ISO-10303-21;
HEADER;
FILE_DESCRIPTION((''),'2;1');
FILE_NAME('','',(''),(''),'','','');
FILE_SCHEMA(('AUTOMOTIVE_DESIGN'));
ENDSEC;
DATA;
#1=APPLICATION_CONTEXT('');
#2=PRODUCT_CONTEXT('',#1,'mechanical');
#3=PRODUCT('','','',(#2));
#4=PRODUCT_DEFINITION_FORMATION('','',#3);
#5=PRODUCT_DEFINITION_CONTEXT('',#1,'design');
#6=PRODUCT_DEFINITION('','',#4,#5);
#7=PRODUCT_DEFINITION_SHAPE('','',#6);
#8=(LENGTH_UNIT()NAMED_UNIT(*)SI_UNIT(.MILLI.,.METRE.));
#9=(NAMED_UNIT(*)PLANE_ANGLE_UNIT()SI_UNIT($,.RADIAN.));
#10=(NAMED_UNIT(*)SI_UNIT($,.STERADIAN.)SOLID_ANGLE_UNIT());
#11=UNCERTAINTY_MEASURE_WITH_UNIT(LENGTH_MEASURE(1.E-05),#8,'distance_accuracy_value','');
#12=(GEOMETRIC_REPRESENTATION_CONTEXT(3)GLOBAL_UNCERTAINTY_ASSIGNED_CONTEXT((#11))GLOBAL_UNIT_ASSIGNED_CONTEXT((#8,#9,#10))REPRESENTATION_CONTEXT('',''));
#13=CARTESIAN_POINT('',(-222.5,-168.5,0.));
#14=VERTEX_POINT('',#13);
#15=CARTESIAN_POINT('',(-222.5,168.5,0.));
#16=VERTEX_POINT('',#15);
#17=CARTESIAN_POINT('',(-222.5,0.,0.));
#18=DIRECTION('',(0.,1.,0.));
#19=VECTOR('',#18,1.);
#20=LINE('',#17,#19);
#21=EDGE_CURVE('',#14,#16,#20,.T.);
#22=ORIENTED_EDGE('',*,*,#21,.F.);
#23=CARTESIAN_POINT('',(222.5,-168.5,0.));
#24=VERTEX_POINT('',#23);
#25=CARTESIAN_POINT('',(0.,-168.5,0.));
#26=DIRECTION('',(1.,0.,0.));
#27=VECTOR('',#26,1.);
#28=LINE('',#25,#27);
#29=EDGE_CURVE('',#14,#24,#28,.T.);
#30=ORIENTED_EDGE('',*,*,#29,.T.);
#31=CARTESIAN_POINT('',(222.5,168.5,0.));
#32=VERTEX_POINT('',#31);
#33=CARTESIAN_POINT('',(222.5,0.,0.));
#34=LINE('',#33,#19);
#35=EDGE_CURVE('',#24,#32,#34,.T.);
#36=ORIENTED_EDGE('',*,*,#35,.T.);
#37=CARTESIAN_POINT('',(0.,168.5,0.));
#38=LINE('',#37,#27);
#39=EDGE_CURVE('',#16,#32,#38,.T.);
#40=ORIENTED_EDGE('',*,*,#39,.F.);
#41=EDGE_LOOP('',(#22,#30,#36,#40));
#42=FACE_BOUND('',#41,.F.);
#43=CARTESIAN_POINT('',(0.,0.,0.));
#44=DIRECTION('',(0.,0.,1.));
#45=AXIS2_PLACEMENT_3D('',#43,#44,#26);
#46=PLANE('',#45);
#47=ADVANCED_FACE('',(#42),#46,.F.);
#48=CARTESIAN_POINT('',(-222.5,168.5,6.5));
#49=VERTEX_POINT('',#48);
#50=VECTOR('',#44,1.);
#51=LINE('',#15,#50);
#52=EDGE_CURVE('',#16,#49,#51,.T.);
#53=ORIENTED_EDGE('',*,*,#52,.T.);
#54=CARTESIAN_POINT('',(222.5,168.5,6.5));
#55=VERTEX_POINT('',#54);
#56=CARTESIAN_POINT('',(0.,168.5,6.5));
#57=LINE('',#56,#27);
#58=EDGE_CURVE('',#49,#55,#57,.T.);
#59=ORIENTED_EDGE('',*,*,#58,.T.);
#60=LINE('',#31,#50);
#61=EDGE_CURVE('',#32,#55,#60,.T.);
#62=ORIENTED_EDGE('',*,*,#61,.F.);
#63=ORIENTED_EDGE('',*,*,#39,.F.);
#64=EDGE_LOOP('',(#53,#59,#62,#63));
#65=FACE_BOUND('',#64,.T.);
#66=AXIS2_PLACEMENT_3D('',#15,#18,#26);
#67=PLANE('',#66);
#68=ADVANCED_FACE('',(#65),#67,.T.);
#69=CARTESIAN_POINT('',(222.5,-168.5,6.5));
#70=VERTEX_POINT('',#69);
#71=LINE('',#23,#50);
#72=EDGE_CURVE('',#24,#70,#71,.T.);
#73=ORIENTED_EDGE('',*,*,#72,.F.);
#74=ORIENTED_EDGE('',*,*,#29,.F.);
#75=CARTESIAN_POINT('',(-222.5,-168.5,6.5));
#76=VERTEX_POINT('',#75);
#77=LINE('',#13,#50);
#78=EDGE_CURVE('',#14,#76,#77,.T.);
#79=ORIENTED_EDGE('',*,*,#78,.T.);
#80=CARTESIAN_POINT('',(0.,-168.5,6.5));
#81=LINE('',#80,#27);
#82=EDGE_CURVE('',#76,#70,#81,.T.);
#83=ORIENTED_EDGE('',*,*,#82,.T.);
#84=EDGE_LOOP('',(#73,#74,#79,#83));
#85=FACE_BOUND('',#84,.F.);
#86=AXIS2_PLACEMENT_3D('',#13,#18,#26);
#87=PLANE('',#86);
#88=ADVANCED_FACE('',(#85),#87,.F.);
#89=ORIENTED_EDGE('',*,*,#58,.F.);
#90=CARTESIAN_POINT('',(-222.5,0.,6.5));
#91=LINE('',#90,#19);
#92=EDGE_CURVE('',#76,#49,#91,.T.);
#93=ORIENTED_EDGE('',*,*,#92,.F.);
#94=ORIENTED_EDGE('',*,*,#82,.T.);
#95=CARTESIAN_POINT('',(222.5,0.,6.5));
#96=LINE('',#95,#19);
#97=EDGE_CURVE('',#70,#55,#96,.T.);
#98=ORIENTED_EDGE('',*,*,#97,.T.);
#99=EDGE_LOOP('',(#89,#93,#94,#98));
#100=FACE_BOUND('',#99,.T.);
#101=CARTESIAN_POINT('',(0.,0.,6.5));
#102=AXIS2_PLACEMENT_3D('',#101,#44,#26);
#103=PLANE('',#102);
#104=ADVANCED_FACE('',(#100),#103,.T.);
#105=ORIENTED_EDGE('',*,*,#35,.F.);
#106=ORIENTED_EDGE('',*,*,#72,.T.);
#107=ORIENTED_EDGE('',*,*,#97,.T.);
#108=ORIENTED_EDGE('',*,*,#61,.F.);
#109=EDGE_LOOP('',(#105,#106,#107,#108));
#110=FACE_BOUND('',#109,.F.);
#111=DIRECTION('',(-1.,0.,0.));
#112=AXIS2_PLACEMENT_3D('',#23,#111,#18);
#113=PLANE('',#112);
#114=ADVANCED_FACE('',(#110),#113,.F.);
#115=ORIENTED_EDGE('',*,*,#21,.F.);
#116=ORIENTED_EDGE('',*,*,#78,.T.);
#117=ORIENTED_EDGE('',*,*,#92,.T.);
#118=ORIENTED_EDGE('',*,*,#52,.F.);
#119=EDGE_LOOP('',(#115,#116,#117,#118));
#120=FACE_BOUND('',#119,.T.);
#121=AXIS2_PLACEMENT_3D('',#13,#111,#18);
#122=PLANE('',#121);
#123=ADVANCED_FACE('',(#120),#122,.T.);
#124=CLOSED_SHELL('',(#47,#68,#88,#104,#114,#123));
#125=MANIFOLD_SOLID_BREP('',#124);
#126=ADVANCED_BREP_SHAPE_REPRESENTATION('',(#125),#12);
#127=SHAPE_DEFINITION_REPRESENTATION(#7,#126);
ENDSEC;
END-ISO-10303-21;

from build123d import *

# Parameters (mm, degrees)
SKETCH_W  = 445
SKETCH_H  = 337
PAD_DEPTH = 6.5


with BuildPart() as part:
    # Sketch → Pad (new body)
    with BuildSketch(Plane.XY):
        Rectangle(SKETCH_W, SKETCH_H)
    extrude(amount=PAD_DEPTH)


solid = part.part
